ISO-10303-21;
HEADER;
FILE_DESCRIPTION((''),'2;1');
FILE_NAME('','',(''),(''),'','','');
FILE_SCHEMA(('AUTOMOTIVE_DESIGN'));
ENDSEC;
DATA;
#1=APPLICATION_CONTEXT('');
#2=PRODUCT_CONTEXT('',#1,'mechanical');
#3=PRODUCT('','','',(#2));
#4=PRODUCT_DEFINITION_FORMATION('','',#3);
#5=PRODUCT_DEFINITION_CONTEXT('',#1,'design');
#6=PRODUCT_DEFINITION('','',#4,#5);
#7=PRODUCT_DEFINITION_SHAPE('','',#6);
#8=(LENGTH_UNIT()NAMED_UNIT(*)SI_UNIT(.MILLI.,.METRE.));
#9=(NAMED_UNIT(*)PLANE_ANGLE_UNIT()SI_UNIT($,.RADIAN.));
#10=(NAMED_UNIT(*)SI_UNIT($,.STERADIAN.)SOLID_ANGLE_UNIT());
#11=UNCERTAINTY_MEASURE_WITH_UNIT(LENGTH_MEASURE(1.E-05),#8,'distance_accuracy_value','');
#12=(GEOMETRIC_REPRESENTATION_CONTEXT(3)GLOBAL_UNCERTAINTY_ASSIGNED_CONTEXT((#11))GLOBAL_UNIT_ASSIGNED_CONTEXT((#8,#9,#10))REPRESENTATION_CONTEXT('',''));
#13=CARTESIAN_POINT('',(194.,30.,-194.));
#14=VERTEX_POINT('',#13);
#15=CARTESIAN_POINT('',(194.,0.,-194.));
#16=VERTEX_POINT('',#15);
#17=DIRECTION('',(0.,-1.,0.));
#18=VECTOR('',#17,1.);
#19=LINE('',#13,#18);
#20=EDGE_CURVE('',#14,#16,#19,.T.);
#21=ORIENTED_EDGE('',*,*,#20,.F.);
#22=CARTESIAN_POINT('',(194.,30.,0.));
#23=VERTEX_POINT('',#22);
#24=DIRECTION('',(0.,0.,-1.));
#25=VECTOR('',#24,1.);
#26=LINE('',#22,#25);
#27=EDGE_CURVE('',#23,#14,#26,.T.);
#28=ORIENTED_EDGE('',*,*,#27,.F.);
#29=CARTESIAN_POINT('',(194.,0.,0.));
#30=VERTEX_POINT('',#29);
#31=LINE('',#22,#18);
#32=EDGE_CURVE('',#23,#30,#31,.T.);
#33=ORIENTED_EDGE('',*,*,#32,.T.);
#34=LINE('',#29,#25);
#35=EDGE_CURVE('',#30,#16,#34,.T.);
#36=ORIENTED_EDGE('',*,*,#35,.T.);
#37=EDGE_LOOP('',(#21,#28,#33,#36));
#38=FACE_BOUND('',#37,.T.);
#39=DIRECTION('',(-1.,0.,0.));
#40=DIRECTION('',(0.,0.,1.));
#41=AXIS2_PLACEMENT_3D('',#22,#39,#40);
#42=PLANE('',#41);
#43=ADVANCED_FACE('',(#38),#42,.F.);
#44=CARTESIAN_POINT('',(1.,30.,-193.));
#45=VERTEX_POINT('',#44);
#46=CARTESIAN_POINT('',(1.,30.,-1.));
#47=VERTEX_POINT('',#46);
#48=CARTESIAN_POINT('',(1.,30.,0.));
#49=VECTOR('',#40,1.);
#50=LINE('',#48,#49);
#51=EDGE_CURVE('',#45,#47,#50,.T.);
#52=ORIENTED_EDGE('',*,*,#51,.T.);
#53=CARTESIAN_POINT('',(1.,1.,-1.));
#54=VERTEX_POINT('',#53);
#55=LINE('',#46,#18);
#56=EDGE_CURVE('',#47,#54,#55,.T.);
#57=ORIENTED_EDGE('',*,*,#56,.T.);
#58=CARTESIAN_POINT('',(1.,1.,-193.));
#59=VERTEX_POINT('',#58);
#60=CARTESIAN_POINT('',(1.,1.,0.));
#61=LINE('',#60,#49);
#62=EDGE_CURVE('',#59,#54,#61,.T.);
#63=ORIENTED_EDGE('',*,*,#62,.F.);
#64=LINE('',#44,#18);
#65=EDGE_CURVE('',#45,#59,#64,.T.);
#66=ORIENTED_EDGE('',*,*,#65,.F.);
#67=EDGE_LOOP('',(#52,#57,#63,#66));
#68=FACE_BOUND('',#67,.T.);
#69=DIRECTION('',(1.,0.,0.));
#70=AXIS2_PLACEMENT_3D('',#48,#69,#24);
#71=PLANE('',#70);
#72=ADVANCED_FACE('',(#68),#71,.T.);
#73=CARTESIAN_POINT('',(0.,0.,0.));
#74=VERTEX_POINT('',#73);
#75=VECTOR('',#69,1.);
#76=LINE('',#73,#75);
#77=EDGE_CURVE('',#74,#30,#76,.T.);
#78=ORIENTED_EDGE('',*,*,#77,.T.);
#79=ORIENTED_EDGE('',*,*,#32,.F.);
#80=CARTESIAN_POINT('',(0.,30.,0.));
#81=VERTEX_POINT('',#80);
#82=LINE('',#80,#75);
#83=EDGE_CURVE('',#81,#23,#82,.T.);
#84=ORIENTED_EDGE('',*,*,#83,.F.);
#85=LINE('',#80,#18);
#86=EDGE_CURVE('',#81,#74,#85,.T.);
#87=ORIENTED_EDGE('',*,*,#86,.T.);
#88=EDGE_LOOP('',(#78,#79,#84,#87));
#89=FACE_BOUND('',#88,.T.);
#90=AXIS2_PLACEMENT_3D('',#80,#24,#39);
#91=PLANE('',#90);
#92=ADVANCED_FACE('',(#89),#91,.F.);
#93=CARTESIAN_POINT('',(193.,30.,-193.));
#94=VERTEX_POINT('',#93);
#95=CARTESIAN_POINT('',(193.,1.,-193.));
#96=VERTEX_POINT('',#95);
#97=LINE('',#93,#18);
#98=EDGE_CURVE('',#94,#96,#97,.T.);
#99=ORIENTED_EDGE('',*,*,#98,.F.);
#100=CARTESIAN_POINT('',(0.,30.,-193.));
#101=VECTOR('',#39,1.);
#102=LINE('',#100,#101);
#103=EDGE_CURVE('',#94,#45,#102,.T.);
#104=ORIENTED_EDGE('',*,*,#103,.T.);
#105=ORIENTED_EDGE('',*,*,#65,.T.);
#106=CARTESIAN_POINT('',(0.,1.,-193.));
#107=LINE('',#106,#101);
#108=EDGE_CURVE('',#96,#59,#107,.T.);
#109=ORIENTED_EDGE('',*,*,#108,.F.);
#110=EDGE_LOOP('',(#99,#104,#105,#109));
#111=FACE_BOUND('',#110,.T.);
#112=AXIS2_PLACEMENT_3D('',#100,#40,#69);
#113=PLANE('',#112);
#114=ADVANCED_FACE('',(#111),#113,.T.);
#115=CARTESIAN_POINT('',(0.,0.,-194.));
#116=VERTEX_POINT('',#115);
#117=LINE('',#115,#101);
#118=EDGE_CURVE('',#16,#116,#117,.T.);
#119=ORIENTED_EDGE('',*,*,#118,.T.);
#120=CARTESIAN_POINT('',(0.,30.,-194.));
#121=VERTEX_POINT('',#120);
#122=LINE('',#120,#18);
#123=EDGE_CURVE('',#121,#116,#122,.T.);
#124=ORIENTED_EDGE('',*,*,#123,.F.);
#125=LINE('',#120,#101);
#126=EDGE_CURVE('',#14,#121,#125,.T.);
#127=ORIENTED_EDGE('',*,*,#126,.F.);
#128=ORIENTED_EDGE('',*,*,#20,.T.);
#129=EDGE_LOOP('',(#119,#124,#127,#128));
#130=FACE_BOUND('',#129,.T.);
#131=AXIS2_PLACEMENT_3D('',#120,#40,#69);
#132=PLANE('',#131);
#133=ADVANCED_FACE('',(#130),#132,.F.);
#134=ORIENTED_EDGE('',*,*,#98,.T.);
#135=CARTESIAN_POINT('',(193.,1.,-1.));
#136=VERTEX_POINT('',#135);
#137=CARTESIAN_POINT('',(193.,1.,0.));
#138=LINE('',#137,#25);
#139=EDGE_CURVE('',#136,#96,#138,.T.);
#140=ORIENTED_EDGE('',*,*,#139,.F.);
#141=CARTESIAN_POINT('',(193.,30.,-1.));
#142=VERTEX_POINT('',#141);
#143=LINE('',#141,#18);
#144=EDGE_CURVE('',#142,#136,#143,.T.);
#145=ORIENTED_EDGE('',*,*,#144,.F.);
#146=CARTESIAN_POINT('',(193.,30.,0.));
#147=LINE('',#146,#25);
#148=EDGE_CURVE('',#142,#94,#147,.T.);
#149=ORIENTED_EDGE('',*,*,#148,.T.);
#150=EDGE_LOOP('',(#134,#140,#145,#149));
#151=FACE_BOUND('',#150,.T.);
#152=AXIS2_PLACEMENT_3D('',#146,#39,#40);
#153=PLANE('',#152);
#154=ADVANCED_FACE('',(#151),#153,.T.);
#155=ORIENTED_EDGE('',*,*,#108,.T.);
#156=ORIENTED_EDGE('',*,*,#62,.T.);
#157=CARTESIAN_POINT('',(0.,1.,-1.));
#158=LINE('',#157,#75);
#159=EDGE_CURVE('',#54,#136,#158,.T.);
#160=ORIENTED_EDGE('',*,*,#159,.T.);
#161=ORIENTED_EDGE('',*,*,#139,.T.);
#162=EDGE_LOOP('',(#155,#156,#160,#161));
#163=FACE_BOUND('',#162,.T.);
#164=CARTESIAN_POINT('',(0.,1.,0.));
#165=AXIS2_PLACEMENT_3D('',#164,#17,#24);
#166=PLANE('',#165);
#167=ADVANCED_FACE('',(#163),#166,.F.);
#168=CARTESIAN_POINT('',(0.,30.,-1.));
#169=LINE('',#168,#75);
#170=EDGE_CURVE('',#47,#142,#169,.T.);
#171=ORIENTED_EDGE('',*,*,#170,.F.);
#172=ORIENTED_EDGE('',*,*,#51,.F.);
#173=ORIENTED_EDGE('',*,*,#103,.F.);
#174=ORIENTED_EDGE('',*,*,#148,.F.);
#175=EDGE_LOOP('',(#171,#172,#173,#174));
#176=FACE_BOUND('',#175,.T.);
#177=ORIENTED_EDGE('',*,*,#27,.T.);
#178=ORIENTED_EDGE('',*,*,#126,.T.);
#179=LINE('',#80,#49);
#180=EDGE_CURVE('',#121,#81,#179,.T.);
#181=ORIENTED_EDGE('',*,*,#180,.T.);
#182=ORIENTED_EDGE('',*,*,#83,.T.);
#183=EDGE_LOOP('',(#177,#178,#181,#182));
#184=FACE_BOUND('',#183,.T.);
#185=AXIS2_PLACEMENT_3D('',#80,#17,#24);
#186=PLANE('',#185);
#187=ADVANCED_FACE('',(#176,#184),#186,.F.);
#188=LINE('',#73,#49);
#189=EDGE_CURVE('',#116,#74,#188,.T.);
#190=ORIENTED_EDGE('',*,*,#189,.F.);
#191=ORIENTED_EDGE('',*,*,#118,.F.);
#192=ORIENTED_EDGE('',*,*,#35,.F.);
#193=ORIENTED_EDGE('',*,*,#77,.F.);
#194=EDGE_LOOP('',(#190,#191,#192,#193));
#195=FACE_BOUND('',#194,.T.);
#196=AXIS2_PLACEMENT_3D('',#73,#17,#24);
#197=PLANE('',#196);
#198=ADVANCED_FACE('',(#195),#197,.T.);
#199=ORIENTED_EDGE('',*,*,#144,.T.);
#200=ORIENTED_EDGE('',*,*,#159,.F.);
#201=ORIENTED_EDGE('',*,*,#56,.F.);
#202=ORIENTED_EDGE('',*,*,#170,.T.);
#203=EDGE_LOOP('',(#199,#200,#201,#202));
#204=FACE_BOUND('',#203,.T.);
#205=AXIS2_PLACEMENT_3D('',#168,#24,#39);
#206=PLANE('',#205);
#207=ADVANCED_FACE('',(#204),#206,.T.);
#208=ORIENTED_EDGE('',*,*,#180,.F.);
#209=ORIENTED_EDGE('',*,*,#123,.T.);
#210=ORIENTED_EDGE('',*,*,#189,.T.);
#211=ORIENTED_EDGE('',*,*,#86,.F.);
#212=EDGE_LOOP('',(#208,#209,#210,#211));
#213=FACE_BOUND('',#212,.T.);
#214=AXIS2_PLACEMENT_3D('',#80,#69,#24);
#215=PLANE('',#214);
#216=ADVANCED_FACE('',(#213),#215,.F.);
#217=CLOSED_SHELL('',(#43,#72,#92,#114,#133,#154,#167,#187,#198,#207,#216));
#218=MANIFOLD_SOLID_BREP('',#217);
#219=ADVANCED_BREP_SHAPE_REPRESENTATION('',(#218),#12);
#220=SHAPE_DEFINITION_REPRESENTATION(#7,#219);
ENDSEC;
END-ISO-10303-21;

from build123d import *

# Parameters (mm, degrees)
SKETCH_1_W      = 194
SKETCH_1_H      = 194
EXTRUDE_1_DEPTH = 30
SHELL_1_T       = -1


with BuildPart() as part:
    # 草图1 → 凸台-拉伸1 (new body)
    with BuildSketch(Plane(origin=(0, 0, 0), x_dir=(1, 0, 0), z_dir=(0, 1, 0))):
        with Locations((97, 97)):
            Rectangle(SKETCH_1_W, SKETCH_1_H)
    extrude(amount=EXTRUDE_1_DEPTH)

    # 抽壳1
    shell_1_openings = [part.faces().sort_by_distance(p)[0] for p in [
        (97, 30, -97),
    ]]
    offset(amount=SHELL_1_T, openings=shell_1_openings, kind=Kind.INTERSECTION)


solid = part.part
